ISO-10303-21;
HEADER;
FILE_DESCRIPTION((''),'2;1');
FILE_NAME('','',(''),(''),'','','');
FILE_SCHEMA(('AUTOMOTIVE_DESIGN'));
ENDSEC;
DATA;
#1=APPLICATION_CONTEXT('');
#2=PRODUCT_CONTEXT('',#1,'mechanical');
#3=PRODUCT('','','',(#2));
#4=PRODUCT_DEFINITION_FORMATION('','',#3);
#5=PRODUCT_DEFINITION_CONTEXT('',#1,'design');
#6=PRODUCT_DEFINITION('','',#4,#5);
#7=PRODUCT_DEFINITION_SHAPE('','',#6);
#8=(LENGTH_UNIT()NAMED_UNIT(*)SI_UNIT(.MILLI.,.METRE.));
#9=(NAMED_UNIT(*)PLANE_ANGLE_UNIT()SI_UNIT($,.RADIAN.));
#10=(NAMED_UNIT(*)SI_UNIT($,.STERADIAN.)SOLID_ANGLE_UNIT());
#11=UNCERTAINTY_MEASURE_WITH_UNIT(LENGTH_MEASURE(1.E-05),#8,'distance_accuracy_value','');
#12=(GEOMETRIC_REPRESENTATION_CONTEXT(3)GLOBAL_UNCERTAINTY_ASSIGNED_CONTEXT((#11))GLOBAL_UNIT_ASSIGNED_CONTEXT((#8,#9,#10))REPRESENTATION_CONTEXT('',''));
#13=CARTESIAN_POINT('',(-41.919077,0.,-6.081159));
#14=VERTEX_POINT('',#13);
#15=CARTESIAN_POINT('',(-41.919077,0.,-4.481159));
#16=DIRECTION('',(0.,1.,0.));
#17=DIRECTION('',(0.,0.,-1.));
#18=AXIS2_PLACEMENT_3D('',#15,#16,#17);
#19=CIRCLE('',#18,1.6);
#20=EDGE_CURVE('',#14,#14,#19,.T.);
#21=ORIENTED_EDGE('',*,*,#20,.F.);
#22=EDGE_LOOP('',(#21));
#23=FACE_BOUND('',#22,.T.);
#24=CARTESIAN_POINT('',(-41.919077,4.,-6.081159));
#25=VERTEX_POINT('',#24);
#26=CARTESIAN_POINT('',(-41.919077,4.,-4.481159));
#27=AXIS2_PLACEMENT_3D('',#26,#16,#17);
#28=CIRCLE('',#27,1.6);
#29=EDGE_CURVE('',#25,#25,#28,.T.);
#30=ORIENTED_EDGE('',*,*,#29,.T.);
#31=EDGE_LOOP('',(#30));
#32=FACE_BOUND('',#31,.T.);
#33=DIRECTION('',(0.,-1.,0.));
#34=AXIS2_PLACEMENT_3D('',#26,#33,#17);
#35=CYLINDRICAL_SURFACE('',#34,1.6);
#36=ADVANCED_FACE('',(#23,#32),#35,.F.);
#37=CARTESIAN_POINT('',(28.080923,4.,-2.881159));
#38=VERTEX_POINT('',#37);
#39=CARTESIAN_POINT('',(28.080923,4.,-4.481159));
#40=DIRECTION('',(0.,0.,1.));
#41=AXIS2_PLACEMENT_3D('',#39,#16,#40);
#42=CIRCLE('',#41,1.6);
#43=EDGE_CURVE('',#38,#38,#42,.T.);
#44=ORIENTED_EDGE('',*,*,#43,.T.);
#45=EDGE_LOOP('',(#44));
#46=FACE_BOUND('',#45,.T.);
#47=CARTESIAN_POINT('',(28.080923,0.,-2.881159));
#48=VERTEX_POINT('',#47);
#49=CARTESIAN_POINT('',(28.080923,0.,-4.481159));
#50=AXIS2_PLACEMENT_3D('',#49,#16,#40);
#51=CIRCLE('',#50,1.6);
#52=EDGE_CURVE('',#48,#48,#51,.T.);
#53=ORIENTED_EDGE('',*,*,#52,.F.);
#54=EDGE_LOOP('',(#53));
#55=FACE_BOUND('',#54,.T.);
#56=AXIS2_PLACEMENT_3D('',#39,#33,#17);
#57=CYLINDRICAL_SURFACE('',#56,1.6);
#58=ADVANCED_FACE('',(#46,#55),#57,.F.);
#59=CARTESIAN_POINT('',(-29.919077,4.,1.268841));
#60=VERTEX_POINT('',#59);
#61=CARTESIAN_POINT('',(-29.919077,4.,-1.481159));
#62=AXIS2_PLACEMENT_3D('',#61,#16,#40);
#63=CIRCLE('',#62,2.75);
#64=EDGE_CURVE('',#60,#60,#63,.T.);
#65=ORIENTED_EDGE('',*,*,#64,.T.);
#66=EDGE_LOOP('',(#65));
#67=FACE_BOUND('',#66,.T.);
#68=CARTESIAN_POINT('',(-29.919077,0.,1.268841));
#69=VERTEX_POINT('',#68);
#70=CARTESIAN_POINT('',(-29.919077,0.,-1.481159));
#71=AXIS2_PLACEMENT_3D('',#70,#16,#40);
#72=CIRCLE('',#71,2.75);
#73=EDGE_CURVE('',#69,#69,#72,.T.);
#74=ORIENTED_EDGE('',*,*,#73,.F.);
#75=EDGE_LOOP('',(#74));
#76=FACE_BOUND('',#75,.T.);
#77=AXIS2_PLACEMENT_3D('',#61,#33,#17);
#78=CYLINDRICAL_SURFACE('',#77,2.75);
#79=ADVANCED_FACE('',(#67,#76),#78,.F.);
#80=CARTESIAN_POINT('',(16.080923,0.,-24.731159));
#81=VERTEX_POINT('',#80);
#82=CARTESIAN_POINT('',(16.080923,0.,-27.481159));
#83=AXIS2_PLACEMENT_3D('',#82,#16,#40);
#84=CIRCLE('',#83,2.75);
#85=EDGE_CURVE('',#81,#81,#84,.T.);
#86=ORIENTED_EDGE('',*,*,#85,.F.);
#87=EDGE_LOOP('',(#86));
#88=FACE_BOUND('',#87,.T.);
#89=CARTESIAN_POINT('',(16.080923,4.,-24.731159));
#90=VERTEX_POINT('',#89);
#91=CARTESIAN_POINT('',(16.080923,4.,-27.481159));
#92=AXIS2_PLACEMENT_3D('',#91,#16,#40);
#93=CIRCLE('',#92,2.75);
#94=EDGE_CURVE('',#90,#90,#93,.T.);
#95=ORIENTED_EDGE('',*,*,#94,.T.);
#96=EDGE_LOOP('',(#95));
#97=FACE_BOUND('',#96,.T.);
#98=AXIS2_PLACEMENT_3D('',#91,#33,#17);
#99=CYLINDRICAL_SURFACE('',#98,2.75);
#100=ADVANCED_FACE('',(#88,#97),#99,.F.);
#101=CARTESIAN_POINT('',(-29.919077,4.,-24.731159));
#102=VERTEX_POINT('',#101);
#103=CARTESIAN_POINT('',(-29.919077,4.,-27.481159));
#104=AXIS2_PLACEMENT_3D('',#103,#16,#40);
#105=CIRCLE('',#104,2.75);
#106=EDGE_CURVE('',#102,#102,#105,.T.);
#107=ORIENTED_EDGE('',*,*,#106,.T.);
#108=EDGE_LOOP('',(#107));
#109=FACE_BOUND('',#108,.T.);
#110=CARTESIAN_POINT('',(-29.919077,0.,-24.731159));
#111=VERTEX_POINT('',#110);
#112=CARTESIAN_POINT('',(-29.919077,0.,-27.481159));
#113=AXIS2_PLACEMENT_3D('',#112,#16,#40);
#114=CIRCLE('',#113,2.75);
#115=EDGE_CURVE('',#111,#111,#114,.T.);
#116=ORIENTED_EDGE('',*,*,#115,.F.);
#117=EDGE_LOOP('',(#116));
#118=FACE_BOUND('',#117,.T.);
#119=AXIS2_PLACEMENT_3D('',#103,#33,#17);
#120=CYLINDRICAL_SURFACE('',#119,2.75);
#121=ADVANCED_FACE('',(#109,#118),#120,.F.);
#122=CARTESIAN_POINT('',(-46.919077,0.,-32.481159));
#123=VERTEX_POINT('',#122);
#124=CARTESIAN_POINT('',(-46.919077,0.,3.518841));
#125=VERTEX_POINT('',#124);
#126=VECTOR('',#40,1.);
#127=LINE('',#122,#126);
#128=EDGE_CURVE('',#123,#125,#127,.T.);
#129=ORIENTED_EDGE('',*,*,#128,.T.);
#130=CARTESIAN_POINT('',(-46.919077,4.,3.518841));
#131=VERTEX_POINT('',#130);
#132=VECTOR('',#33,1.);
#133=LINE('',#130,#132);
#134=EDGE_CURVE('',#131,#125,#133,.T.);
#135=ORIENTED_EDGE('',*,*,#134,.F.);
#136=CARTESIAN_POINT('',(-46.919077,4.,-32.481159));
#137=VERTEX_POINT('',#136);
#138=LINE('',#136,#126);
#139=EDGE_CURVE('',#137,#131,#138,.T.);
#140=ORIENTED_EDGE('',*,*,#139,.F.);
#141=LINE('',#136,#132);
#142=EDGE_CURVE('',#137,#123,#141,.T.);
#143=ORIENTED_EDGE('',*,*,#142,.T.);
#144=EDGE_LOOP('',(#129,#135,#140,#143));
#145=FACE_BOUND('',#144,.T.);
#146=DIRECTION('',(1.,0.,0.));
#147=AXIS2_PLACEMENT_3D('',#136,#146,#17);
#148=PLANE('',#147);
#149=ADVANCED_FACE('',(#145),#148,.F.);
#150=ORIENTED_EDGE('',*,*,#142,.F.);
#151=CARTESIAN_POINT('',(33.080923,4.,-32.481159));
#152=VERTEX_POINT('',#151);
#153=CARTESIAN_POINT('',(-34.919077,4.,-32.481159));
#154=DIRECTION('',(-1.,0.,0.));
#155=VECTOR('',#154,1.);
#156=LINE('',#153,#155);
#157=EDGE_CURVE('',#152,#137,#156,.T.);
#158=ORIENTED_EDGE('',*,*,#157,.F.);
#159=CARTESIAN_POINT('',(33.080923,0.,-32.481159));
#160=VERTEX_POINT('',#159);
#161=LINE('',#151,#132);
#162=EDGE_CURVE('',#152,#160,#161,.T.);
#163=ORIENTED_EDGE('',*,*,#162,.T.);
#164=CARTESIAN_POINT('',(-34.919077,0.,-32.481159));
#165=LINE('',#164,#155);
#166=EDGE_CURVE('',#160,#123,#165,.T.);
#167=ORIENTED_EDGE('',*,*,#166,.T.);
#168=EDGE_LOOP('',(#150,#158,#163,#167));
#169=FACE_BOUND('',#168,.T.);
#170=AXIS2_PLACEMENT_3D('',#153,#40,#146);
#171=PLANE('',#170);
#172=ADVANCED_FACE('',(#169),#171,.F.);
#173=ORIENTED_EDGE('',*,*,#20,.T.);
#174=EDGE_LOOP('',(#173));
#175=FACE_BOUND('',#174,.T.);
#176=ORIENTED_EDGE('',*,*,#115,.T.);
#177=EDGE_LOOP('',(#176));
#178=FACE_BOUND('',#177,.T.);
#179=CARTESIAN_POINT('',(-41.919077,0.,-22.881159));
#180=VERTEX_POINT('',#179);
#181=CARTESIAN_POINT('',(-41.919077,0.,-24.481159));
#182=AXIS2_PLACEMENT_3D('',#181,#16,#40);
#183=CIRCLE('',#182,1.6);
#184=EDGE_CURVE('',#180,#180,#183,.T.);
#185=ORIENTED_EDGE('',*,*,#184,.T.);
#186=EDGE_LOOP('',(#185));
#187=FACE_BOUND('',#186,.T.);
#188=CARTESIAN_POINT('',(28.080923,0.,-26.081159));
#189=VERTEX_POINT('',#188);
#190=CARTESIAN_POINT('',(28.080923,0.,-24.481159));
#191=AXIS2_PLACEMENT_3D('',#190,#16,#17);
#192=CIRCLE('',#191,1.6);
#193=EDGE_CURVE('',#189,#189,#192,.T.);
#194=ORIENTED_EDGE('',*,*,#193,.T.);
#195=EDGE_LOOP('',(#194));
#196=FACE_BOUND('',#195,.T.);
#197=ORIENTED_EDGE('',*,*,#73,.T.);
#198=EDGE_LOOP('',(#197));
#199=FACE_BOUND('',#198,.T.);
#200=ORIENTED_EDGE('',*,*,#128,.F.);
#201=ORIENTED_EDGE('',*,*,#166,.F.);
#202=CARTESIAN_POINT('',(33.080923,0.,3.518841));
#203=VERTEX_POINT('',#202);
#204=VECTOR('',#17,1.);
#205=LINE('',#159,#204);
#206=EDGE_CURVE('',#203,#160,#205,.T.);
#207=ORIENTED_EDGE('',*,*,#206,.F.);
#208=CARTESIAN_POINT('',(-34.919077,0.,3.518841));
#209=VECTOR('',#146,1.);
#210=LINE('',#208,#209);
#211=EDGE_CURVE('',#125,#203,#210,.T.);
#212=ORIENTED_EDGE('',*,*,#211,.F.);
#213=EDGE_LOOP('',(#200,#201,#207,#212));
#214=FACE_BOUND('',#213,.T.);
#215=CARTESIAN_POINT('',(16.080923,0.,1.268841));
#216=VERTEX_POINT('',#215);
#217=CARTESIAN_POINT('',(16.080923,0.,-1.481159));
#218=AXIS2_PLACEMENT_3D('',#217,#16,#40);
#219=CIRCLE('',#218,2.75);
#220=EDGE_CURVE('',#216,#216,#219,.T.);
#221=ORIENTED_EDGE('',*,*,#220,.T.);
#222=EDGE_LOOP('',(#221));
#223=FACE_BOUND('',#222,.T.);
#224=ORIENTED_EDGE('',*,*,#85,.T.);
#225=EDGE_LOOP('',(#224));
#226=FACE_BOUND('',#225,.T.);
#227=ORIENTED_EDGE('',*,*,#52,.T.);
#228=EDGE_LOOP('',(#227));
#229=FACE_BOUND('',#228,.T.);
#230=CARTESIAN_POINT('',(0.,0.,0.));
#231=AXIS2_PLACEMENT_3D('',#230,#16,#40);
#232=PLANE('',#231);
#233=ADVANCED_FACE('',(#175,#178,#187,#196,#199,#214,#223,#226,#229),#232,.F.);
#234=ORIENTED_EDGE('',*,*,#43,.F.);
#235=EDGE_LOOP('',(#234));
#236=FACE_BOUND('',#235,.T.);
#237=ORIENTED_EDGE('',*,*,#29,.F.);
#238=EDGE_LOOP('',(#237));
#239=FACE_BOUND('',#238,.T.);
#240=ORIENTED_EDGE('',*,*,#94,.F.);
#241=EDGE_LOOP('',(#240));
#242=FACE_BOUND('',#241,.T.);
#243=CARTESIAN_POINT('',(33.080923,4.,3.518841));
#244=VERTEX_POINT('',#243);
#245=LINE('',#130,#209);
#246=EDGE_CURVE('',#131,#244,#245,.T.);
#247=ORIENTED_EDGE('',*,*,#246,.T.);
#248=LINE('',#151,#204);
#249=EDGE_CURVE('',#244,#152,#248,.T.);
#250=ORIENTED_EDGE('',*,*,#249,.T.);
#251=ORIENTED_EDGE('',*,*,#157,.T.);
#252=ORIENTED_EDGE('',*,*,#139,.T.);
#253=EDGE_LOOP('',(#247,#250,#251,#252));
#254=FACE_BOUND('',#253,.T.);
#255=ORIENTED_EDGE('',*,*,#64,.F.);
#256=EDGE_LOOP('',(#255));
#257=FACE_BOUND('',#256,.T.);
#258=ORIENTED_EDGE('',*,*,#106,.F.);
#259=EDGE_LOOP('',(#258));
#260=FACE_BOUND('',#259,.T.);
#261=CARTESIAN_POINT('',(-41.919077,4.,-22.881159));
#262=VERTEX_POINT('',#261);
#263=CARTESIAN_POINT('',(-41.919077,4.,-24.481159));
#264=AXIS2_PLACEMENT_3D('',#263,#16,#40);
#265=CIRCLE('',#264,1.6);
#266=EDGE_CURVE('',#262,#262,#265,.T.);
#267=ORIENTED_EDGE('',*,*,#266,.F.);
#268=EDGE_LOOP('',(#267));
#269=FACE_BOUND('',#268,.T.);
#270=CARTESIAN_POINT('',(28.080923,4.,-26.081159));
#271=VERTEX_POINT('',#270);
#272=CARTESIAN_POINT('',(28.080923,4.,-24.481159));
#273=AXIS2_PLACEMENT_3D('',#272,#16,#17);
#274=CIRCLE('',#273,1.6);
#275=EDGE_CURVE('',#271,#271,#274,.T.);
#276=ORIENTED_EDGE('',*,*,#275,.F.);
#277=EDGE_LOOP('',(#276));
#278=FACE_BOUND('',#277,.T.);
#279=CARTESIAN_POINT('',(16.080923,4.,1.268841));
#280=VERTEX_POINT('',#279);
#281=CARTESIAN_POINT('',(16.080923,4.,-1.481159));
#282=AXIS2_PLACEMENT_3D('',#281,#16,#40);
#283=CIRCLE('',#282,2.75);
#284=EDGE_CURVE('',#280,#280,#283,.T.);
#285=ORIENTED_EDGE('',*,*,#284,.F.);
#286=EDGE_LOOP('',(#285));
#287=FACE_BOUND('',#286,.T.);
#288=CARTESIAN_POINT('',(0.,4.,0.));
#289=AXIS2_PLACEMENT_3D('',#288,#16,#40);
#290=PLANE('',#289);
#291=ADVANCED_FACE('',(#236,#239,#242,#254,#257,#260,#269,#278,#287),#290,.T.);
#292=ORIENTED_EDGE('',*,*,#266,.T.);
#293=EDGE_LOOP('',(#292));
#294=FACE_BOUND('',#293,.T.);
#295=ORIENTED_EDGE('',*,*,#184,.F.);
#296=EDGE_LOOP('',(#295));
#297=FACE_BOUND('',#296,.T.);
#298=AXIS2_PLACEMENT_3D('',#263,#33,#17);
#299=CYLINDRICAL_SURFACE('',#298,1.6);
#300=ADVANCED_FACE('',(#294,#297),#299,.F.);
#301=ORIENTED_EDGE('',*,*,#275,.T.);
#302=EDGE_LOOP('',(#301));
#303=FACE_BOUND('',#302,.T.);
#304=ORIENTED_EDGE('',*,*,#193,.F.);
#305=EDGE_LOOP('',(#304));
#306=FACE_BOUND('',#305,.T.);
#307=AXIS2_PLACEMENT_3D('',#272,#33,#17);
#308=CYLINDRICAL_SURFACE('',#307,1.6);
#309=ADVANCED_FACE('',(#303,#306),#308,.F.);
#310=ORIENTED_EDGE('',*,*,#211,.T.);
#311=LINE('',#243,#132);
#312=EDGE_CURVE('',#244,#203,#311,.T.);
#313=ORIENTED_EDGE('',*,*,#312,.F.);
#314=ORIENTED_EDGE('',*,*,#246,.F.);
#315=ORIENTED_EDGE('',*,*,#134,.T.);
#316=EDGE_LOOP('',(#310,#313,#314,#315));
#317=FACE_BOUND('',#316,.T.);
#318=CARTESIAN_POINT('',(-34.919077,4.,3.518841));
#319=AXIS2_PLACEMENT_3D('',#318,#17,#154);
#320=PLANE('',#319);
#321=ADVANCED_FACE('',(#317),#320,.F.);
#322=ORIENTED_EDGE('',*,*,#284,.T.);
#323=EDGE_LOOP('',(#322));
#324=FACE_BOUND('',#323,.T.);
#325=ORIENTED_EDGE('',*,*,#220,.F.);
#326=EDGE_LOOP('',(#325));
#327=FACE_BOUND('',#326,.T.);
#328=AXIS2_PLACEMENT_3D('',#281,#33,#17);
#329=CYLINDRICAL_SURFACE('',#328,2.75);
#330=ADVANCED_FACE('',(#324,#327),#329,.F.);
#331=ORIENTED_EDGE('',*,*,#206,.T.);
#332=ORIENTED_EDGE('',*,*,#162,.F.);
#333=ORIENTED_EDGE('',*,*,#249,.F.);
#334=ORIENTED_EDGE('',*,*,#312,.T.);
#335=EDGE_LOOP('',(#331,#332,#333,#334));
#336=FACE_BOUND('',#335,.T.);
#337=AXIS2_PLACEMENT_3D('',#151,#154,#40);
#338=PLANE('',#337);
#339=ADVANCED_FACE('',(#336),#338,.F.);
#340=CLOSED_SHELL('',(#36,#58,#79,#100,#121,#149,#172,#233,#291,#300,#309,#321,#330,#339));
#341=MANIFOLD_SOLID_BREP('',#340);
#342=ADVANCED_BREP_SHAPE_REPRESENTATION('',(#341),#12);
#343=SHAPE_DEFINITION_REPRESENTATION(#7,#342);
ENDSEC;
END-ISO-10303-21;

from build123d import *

# Parameters (mm, degrees)
SKETCH_1_R      = 2.75
SKETCH_1_R_2    = 1.6
EXTRUDE_1_DEPTH = 4


with BuildPart() as part:
    # 草图1 → 凸台-拉伸1 (new body)
    with BuildSketch(Plane(origin=(0, 0, 0), x_dir=(1, 0, 0), z_dir=(0, 1, 0))):
        Polygon((-34.919077445, 32.481158859), (33.080922555, 32.481158859), (33.080922555, -3.518841141), (-34.919077445, -3.518841141), (-46.919077445, -3.518841141), (-46.919077445, 32.481158859), align=None)
        with Locations((-29.919077445, 27.481158859)):
            Circle(SKETCH_1_R, mode=Mode.SUBTRACT)
        with Locations((16.080922555, 27.481158859)):
            Circle(SKETCH_1_R, mode=Mode.SUBTRACT)
        with Locations((-29.919077445, 1.481158859)):
            Circle(SKETCH_1_R, mode=Mode.SUBTRACT)
        with Locations((16.080922555, 1.481158859)):
            Circle(SKETCH_1_R, mode=Mode.SUBTRACT)
        with Locations((-41.919077445, 24.481158859)):
            Circle(SKETCH_1_R_2, mode=Mode.SUBTRACT)
        with Locations((28.080922555, 24.481158859)):
            Circle(SKETCH_1_R_2, mode=Mode.SUBTRACT)
        with Locations((-41.919077445, 4.481158859)):
            Circle(SKETCH_1_R_2, mode=Mode.SUBTRACT)
        with Locations((28.080922555, 4.481158859)):
            Circle(SKETCH_1_R_2, mode=Mode.SUBTRACT)
    extrude(amount=EXTRUDE_1_DEPTH)


solid = part.part
